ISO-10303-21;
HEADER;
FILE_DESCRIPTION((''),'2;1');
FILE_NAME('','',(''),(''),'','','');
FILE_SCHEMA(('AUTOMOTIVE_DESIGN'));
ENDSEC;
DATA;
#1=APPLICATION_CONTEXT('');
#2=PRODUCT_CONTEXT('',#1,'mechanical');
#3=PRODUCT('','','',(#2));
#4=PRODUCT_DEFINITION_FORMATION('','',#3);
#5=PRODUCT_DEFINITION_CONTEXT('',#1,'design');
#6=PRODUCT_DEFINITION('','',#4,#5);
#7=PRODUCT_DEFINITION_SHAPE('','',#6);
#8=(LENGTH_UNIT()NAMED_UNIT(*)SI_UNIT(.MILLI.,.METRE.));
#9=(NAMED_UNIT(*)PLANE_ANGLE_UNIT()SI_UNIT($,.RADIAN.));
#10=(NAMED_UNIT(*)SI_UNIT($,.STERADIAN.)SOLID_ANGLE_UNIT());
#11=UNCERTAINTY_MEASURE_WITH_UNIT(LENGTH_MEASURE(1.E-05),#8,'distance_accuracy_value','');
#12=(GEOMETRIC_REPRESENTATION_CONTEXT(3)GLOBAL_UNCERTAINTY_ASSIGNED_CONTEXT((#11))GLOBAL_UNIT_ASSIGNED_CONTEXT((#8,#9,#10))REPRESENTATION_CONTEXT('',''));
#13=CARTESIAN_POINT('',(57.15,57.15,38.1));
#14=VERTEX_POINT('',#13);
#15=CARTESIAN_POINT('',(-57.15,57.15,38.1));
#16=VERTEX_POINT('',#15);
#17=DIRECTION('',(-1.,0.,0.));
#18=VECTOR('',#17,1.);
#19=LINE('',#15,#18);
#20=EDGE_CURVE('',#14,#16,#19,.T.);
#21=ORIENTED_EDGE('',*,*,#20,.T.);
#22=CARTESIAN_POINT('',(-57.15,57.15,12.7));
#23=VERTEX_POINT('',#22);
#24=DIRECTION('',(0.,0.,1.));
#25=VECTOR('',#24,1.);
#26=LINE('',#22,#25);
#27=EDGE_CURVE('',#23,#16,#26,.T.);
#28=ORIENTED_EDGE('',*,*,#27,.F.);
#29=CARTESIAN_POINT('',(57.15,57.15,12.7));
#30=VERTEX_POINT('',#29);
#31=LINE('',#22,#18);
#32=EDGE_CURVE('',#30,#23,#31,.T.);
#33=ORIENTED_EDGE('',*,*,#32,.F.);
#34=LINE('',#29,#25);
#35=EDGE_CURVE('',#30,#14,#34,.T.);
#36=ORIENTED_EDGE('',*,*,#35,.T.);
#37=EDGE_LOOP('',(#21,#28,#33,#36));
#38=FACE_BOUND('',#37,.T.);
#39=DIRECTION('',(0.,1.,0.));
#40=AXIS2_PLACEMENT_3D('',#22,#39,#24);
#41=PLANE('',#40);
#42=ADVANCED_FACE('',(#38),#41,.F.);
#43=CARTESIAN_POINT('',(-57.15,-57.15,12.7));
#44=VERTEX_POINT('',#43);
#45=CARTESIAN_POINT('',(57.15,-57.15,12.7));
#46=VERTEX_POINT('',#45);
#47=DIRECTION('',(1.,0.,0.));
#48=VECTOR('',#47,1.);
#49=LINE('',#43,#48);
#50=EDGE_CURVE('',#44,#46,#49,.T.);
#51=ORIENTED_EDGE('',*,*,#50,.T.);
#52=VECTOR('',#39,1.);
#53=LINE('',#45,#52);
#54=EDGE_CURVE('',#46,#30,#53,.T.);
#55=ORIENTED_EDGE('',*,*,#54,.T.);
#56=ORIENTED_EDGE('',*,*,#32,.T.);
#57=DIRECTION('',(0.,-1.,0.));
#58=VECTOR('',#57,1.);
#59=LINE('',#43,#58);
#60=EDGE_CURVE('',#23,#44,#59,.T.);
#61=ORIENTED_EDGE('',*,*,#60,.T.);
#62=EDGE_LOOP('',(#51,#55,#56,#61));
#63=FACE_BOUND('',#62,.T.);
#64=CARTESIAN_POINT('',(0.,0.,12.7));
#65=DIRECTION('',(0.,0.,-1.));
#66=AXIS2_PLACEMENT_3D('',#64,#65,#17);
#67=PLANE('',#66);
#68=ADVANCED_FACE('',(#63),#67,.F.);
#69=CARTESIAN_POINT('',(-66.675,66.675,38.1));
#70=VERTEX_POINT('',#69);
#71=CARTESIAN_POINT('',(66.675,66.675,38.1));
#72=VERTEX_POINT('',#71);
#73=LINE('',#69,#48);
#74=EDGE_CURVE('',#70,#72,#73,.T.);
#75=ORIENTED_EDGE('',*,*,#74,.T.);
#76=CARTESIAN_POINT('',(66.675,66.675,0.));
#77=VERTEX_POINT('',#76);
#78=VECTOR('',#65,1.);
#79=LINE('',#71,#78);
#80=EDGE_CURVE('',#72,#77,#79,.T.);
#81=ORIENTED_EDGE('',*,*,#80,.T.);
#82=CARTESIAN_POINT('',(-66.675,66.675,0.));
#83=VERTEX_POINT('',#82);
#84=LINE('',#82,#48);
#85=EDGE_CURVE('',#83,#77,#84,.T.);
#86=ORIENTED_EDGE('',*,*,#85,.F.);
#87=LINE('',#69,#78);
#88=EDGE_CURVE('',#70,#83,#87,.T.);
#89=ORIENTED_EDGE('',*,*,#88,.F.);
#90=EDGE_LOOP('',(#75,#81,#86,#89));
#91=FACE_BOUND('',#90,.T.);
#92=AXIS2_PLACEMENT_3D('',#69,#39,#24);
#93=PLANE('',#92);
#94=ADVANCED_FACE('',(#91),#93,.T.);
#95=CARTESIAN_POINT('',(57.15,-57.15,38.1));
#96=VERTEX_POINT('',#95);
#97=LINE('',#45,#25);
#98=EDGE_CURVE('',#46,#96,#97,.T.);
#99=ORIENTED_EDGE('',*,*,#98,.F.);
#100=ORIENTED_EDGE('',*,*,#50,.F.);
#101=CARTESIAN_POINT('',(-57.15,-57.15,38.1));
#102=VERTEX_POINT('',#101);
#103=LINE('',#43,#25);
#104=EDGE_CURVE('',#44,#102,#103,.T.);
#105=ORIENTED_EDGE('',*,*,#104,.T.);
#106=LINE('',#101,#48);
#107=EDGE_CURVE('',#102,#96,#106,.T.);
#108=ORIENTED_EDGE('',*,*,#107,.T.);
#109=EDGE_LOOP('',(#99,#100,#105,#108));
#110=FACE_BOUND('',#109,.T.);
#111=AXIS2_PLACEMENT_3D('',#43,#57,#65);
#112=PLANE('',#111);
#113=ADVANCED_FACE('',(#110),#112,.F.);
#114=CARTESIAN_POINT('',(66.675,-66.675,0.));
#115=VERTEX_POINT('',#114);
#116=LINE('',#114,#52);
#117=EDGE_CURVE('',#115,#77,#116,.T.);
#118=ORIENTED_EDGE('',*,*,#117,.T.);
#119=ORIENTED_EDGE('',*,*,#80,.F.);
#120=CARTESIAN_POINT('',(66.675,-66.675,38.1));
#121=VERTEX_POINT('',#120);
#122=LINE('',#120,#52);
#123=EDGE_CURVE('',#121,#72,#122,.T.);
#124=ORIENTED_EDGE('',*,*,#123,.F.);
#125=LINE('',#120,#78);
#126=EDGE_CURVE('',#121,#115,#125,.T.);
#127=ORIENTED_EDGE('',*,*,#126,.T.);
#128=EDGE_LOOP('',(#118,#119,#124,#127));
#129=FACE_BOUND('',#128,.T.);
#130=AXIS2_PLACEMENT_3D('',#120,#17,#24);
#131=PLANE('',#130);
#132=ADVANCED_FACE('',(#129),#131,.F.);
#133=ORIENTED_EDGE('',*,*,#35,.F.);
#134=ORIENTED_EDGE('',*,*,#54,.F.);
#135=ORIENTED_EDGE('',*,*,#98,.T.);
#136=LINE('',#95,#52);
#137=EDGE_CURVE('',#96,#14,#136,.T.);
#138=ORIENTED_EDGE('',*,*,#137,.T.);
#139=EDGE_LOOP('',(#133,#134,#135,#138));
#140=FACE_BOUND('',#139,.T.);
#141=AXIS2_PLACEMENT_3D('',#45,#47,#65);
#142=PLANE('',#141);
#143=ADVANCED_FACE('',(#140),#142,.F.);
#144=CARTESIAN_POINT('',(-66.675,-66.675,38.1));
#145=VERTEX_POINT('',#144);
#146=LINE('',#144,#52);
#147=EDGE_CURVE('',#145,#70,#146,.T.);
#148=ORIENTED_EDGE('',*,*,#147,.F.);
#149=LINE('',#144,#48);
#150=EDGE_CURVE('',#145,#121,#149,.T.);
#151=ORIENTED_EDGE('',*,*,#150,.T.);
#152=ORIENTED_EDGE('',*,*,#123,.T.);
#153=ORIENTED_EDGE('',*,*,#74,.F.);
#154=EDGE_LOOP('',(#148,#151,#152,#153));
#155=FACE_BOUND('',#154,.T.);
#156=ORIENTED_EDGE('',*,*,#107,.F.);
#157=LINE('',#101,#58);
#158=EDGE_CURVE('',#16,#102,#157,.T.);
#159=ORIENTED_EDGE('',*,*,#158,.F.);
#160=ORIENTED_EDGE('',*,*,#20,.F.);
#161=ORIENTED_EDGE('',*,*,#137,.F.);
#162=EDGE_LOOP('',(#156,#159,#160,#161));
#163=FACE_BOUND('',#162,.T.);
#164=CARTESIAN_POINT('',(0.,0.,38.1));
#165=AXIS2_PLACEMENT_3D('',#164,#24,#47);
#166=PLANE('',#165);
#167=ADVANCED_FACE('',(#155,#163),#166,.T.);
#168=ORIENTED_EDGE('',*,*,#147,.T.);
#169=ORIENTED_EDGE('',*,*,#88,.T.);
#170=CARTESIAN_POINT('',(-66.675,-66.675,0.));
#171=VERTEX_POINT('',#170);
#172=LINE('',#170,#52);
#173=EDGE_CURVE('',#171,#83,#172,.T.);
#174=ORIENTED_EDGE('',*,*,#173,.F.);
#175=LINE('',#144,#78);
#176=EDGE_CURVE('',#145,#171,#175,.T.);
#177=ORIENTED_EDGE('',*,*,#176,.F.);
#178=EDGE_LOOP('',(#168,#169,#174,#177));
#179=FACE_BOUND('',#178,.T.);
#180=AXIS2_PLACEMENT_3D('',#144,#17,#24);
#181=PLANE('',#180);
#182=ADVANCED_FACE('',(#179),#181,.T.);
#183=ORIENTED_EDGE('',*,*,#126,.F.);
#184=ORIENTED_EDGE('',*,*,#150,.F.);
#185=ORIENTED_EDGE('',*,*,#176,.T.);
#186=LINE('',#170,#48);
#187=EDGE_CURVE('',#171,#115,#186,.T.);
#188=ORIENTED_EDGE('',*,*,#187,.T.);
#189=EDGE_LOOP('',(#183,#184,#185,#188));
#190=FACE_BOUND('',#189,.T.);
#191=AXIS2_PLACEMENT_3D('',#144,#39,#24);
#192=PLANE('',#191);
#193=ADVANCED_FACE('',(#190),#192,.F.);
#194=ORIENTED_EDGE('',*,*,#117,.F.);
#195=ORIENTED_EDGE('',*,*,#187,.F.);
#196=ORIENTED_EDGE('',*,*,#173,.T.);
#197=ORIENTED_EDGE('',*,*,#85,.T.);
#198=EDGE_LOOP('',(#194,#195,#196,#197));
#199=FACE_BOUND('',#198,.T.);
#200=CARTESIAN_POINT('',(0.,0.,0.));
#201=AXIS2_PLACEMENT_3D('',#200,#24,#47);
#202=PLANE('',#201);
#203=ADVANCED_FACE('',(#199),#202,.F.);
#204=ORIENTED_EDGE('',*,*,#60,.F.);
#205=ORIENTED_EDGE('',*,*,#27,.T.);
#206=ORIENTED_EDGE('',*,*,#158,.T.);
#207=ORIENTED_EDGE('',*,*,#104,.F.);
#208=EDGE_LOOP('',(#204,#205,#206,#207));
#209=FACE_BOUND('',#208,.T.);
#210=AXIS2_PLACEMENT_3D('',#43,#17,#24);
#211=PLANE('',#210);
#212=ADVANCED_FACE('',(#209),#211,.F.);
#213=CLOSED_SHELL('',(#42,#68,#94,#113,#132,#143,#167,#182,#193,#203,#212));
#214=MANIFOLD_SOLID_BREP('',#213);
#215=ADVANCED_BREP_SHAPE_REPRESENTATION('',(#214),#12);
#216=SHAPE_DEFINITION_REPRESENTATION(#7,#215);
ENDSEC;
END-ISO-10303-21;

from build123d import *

# Parameters (mm, degrees)
SKETCH1_W           = 133.35
SKETCH1_H           = 133.35
BOSS_EXTRUDE1_DEPTH = 38.1
SKETCH2_W           = 114.3
SKETCH2_H           = 114.3
CUT_EXTRUDE1_DEPTH  = 25.4


with BuildPart() as part:
    # Sketch1 → Boss-Extrude1 (new body)
    with BuildSketch(Plane.XY):
        Rectangle(SKETCH1_W, SKETCH1_H)
    extrude(amount=BOSS_EXTRUDE1_DEPTH)

    # Sketch2 → Cut-Extrude1 (cut)
    with BuildSketch(Plane.XY.offset(38.1)):
        Rectangle(SKETCH2_W, SKETCH2_H)
    extrude(amount=-CUT_EXTRUDE1_DEPTH, mode=Mode.SUBTRACT)


solid = part.part
